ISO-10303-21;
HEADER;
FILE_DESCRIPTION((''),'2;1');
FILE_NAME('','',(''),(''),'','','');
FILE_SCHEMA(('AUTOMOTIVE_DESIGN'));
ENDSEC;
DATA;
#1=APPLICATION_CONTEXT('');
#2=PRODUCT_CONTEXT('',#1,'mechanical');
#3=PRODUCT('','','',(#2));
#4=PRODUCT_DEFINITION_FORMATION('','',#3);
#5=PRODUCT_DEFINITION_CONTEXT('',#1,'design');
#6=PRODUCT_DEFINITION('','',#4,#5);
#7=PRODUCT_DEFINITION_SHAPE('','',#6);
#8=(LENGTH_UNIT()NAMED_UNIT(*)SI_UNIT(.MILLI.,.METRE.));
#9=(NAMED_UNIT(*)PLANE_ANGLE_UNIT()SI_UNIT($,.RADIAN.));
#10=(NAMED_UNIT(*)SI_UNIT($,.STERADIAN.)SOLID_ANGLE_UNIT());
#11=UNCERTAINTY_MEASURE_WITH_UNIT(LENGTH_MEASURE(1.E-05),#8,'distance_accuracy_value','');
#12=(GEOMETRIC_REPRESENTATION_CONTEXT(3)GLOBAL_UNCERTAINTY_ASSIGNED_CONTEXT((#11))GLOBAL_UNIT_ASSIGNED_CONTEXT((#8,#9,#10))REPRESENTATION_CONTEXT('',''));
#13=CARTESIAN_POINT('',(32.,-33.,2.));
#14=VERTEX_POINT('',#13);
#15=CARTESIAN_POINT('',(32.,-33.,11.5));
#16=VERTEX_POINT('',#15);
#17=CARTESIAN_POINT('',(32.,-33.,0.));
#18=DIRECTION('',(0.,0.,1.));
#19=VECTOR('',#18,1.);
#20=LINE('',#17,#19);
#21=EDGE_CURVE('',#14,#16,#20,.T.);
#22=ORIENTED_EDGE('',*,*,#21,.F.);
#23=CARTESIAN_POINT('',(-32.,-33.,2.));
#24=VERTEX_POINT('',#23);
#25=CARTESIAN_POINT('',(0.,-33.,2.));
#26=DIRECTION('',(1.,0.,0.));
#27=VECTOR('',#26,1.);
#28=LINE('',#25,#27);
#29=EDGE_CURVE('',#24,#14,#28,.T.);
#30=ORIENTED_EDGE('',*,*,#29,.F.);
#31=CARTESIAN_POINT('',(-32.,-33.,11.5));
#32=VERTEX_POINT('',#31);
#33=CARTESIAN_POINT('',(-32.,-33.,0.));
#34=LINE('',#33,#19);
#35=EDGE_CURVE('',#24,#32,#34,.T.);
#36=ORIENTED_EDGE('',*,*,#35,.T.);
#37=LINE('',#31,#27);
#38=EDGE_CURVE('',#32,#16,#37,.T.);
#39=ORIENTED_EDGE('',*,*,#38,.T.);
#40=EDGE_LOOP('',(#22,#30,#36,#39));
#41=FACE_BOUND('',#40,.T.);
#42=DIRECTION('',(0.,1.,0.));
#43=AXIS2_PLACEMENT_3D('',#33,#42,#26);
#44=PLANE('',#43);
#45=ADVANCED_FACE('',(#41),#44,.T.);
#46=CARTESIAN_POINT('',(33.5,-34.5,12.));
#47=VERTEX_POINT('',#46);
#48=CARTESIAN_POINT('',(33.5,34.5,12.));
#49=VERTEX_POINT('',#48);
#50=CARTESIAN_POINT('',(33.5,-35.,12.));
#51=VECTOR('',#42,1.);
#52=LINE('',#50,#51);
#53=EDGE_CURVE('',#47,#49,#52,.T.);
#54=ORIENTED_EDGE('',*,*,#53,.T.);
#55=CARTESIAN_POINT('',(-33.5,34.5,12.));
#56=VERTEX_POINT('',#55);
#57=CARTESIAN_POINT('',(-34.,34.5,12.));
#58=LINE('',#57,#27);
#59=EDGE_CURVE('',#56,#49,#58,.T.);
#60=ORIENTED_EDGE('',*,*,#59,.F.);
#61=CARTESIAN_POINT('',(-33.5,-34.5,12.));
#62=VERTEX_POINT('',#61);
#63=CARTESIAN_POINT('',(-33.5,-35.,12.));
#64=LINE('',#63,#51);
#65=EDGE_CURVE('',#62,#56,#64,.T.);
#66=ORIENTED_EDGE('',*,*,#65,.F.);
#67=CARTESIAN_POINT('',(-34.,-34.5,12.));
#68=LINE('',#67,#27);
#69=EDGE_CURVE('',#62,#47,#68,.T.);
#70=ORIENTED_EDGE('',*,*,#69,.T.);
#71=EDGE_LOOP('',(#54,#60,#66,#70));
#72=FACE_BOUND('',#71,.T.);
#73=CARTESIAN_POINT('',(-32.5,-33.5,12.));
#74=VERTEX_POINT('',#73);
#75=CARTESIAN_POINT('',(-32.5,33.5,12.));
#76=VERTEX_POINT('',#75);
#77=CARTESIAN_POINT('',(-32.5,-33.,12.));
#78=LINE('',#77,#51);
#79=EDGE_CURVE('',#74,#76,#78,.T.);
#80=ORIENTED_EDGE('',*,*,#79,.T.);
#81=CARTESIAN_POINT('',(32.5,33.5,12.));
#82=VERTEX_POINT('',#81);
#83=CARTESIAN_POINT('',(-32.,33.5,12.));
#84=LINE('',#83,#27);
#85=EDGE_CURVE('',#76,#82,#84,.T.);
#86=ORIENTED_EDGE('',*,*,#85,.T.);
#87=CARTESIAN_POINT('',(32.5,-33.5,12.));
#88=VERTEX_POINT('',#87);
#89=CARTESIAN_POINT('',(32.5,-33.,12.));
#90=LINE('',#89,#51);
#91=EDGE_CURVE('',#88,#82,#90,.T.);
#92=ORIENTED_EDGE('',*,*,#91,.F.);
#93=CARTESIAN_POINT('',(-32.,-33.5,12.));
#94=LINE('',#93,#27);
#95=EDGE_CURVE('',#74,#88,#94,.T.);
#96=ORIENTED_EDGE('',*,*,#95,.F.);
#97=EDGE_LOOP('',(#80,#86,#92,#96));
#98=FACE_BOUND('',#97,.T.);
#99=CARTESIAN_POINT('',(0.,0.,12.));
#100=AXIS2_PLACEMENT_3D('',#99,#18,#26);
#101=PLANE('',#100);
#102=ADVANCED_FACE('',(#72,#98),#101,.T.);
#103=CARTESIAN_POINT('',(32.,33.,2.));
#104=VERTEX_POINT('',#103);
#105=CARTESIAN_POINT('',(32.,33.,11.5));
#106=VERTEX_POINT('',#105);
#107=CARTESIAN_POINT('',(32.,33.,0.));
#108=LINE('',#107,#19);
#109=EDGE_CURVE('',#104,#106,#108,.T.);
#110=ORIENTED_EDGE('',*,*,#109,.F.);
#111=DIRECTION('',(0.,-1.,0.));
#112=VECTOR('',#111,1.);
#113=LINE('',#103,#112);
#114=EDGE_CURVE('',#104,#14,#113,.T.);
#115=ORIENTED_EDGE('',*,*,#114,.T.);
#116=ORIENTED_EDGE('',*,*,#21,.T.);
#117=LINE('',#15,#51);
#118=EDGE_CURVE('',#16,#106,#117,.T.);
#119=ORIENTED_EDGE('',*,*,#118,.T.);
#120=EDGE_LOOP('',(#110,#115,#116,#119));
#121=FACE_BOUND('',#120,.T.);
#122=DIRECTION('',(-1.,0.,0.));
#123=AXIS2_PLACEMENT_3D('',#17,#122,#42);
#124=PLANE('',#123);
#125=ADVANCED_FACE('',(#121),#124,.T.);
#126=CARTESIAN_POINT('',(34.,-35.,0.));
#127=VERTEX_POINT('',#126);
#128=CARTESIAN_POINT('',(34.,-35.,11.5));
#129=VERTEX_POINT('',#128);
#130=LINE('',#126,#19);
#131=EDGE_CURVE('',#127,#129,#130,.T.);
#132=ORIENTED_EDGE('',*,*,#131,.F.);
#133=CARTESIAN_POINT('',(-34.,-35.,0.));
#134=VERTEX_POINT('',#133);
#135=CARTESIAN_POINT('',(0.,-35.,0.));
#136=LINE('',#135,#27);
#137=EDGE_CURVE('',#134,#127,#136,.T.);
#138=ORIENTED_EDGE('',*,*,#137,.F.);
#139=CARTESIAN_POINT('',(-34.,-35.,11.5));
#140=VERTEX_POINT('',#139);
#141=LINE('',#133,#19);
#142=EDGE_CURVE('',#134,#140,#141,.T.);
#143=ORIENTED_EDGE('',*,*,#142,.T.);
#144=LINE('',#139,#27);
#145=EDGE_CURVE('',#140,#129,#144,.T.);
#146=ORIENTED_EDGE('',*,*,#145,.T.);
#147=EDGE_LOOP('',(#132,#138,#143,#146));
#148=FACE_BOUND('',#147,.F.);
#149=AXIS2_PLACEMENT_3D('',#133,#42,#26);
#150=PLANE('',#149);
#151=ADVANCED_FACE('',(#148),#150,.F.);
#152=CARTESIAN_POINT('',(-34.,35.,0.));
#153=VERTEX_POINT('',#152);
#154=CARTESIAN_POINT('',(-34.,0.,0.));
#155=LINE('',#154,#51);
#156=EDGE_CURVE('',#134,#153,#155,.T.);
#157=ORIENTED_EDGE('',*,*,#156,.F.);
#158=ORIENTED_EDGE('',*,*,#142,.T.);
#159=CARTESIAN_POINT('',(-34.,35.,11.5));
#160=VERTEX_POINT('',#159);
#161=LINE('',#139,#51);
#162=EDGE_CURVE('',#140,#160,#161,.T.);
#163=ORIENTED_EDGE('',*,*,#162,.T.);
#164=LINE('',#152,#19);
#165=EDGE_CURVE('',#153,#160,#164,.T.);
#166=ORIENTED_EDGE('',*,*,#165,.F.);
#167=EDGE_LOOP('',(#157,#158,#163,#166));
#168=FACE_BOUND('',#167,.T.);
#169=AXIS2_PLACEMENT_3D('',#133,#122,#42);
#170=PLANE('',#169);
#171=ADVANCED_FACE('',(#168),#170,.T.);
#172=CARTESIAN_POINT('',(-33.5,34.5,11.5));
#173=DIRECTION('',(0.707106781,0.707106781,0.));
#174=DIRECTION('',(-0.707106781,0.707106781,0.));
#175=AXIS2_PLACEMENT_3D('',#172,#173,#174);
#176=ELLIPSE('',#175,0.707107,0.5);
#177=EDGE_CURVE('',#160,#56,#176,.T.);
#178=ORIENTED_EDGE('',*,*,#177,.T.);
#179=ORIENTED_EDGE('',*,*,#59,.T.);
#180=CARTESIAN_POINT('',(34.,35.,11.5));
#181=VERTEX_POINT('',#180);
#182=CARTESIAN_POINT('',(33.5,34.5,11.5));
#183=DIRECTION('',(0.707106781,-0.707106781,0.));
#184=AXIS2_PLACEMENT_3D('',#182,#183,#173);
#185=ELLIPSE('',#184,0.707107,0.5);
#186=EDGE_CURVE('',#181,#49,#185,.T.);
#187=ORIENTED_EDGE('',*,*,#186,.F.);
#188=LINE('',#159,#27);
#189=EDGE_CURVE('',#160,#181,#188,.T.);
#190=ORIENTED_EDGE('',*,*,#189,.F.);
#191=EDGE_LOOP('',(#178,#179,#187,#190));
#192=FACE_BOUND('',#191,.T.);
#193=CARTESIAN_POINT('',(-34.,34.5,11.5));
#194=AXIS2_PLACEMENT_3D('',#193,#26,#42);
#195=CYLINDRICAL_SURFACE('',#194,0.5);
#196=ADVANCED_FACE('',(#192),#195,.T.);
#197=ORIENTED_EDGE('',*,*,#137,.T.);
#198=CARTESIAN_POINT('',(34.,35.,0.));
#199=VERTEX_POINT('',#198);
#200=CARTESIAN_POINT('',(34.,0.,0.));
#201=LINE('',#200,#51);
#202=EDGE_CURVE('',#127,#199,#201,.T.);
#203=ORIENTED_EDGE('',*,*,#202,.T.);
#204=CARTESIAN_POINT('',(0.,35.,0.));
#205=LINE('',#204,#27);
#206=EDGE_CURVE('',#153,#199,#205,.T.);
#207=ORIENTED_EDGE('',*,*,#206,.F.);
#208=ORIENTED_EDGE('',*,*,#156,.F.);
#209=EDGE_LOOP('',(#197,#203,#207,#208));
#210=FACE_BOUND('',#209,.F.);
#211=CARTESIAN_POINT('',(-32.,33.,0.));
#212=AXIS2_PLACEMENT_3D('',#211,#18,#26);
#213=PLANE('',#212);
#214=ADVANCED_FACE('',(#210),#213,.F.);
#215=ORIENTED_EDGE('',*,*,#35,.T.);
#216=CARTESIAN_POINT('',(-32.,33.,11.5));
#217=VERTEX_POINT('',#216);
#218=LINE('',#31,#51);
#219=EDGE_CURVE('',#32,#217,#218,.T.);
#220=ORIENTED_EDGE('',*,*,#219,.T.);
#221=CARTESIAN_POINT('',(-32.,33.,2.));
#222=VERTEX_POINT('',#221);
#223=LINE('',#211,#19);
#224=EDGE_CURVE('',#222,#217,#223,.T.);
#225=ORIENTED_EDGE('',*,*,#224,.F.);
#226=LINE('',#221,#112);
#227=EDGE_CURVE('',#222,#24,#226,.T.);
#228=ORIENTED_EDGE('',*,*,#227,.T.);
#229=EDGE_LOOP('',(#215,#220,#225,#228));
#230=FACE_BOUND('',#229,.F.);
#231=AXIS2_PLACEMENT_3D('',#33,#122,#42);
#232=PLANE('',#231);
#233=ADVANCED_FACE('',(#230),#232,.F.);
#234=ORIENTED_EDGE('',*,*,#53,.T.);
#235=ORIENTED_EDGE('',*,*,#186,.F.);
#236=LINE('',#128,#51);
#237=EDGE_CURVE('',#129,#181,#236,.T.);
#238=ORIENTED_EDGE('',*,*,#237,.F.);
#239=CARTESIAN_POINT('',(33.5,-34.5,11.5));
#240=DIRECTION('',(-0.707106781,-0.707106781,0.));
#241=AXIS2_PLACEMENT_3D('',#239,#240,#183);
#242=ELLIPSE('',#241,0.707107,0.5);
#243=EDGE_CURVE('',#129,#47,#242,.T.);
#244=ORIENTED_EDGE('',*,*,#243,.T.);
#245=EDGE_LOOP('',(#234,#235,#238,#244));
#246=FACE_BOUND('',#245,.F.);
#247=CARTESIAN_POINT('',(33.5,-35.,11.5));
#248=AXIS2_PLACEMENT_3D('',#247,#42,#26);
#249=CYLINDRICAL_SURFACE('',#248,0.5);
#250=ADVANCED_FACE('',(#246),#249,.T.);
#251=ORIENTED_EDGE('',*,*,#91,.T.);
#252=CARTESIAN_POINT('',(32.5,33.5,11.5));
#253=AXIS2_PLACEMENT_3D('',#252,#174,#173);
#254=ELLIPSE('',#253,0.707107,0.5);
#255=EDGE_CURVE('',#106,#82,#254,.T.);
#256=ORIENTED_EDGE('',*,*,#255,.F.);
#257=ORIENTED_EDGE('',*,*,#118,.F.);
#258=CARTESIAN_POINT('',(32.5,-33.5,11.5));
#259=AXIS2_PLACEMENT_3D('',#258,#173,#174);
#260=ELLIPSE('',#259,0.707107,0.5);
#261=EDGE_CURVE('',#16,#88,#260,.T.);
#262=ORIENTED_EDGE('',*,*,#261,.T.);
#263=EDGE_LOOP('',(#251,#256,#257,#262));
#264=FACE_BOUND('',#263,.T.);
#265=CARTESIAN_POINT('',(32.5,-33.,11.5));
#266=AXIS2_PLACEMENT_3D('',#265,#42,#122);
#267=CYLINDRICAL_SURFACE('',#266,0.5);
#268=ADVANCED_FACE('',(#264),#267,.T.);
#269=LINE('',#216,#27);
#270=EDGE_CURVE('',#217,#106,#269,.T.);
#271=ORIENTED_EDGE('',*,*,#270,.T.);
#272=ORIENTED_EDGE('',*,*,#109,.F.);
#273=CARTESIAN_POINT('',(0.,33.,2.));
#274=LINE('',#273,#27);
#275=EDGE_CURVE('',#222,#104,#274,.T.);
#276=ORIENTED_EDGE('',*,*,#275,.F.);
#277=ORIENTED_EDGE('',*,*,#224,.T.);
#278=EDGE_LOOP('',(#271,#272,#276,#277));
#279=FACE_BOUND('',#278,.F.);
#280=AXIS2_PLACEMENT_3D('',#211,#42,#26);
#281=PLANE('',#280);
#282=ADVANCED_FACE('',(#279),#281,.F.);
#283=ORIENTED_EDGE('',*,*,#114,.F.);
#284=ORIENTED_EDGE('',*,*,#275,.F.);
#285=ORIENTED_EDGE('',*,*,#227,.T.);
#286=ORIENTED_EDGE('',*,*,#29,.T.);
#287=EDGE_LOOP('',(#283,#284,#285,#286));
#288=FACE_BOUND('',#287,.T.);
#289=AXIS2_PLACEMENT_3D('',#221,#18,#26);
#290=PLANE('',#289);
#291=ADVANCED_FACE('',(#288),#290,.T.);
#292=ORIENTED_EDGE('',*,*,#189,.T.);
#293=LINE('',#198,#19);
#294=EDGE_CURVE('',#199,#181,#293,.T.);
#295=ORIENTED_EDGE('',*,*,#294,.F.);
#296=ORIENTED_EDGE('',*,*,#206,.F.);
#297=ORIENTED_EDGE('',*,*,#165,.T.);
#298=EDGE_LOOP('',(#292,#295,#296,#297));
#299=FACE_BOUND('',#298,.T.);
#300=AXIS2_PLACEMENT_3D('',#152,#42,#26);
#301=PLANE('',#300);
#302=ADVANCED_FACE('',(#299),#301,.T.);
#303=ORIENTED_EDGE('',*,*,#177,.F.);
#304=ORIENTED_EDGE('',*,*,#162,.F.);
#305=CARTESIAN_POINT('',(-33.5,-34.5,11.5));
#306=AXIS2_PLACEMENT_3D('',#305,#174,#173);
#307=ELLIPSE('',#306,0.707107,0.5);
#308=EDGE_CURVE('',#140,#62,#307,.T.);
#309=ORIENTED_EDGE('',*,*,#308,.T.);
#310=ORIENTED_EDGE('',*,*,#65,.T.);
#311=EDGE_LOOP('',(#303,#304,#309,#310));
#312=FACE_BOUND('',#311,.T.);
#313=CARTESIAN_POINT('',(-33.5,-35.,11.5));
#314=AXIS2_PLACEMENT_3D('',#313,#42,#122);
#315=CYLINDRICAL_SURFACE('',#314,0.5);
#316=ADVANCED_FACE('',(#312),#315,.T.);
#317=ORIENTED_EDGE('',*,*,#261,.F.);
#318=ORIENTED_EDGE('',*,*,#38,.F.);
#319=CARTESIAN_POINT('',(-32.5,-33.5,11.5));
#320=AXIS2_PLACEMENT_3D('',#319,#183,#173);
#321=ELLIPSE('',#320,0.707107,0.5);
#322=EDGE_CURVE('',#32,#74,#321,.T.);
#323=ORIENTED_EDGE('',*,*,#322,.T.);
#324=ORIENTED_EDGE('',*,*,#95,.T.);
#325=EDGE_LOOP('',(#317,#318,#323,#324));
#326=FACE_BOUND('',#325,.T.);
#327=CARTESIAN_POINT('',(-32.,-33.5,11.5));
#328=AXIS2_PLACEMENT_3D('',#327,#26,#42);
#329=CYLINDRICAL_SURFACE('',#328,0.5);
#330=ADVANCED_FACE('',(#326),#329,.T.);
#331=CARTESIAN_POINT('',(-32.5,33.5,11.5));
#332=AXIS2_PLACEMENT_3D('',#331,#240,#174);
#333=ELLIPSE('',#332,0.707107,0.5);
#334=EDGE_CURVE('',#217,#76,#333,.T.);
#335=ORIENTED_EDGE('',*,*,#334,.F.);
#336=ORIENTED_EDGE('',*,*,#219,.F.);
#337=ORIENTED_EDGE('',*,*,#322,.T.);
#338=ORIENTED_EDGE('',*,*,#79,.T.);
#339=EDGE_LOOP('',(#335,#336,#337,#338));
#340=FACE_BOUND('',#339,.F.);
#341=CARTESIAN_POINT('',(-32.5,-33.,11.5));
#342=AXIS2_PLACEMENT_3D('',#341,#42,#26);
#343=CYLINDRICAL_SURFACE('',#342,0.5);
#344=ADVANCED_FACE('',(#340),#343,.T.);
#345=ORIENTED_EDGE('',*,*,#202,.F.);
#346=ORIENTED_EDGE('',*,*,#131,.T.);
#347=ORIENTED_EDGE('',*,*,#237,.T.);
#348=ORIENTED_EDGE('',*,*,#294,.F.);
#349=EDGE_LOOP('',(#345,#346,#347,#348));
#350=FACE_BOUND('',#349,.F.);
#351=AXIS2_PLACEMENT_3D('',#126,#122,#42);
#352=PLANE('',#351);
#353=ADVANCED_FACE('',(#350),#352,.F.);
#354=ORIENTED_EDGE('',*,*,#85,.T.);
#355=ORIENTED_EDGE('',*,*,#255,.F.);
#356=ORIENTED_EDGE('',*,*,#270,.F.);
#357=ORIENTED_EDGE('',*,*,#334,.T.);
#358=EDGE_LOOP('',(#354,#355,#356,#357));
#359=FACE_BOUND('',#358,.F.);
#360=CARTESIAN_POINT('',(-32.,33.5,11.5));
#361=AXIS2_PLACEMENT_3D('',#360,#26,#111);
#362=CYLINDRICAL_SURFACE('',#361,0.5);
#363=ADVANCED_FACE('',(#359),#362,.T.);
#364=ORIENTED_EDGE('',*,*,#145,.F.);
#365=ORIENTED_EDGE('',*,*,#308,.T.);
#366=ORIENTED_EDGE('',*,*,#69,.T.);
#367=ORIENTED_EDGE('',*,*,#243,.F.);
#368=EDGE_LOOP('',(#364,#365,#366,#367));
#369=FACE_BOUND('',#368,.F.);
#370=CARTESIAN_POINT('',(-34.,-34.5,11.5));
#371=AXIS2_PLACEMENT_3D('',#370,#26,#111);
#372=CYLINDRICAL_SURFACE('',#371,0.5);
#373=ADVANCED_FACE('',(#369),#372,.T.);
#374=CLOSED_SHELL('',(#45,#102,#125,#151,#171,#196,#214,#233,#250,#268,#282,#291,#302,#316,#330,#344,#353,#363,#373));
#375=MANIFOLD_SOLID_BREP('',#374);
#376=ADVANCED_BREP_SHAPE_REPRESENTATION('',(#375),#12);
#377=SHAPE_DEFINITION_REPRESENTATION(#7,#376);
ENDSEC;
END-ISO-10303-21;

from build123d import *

# Parameters (mm, degrees)
F0_W     = 68
F0_H     = 70
F0_W_2   = 64
F0_H_2   = 66
F1_DEPTH = 12
F2_R     = 0.5
F3_W     = 64
F3_H     = 2
F4_DEPTH = 66


with BuildPart() as f1:
    # F0 (on Top) → F1 (new body)
    with BuildSketch(Plane.XY):
        Rectangle(F0_W, F0_H)
        Rectangle(F0_W_2, F0_H_2, mode=Mode.SUBTRACT)
    extrude(amount=F1_DEPTH)

    # F2
    f2_edges = [f1.edges().sort_by_distance(p)[0] for p in [
        (-34, 0, 12),
        (0, -35, 12),
        (0, 35, 12),
        (34, 0, 12),
        (-32, 0, 12),
        (0, 33, 12),
        (32, 0, 12),
        (0, -33, 12),
    ]]
    fillet(f2_edges, radius=F2_R)

    # F3 (on face) → F4 (join, through all)
    with BuildSketch(Plane.XZ.offset(-33)):
        with Locations((0, 1)):
            Rectangle(F3_W, F3_H)
    extrude(amount=F4_DEPTH)


solid = f1.part
